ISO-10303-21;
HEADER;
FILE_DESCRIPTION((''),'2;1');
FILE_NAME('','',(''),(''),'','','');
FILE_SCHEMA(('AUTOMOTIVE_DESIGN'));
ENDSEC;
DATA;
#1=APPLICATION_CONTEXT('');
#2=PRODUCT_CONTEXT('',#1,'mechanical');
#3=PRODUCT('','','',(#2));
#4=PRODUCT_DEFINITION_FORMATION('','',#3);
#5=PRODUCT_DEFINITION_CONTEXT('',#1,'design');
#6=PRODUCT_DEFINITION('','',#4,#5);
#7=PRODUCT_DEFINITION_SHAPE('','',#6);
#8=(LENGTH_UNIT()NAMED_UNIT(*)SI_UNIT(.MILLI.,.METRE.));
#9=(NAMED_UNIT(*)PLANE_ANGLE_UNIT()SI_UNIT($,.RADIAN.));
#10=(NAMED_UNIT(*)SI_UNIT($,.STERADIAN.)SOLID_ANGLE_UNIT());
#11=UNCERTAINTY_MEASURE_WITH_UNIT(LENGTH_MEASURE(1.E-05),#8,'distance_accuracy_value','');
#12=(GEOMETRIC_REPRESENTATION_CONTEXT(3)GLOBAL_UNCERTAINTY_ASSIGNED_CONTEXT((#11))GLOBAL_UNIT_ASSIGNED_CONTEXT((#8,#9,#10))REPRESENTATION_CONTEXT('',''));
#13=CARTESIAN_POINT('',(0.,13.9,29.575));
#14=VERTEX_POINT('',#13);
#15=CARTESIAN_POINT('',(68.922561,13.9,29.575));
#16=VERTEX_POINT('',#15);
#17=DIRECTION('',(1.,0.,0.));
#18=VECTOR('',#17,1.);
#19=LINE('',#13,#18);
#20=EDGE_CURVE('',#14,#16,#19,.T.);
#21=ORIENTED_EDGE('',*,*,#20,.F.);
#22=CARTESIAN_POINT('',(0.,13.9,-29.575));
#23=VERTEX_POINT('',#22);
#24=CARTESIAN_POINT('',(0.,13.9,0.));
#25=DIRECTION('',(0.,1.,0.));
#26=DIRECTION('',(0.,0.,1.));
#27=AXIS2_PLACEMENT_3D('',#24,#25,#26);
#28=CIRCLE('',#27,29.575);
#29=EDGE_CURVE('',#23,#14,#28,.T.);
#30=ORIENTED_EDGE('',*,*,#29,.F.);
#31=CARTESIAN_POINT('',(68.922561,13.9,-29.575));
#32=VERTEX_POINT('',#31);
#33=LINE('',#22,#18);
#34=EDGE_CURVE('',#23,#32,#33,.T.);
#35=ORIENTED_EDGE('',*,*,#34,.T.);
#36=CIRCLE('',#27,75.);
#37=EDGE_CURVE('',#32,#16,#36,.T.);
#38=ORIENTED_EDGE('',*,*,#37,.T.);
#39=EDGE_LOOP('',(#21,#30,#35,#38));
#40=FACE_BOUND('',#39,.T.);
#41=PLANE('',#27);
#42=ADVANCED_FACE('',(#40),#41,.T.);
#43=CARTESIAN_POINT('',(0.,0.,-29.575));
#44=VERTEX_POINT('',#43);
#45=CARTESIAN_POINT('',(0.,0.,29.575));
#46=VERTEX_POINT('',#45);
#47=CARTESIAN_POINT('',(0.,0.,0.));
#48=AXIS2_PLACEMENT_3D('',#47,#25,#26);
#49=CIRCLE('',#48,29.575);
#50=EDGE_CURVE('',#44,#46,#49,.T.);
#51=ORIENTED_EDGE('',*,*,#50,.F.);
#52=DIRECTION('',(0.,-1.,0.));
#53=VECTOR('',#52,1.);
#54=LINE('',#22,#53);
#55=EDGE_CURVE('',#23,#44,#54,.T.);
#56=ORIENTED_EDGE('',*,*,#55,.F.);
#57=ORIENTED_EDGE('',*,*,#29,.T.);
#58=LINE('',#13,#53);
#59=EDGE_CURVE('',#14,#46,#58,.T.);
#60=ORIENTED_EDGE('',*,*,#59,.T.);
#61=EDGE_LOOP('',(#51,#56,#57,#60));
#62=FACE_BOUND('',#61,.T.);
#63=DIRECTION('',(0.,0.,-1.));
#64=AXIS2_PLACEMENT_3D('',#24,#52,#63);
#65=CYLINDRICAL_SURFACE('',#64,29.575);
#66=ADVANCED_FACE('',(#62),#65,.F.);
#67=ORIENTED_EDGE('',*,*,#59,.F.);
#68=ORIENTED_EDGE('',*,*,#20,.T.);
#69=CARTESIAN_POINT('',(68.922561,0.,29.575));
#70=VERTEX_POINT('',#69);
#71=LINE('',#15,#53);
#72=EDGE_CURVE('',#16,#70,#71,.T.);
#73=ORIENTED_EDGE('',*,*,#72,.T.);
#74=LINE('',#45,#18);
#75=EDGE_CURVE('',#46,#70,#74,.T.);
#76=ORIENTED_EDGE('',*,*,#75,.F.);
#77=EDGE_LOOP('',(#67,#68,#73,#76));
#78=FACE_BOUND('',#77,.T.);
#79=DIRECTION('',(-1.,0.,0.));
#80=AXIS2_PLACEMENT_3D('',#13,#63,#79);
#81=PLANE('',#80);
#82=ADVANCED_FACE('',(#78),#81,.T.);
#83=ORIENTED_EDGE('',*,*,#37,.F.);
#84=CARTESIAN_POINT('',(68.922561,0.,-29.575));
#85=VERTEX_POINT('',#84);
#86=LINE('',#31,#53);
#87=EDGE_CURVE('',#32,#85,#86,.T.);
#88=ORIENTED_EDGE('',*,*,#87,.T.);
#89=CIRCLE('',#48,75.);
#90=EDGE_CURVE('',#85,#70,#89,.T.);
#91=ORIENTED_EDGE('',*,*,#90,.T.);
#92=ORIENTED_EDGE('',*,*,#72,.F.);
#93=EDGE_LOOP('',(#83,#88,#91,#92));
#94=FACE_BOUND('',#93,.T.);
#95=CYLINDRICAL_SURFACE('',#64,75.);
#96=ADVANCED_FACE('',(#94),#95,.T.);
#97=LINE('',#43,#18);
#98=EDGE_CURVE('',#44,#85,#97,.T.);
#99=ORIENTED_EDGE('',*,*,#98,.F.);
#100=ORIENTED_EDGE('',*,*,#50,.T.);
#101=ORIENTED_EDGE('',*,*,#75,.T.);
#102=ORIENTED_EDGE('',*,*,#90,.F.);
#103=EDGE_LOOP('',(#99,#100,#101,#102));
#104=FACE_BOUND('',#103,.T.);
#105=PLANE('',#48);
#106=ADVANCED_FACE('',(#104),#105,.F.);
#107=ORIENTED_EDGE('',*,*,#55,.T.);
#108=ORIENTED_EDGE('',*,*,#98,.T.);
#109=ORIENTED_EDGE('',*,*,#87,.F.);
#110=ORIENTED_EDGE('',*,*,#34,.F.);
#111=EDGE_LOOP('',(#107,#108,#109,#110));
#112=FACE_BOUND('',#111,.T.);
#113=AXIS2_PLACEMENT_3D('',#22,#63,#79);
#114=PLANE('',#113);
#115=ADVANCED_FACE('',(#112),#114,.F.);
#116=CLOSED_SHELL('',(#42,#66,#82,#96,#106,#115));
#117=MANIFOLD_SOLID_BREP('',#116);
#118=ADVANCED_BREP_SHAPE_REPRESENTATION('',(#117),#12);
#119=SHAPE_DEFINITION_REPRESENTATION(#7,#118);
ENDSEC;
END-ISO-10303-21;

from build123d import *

# Parameters (mm, degrees)
BOSS_EXTRUDE1_DEPTH = 13.9


with BuildPart() as part:
    # Sketch1 → Boss-Extrude1 (new body)
    with BuildSketch(Plane(origin=(0, 0, 0), x_dir=(1, 0, 0), z_dir=(0, 1, 0))):
        with BuildLine():
            Line((0, 29.575), (68.922560711, 29.575))
            ThreePointArc((68.922560711, 29.575), (-75, 0), (68.922560711, -29.575))
            Line((68.922560711, -29.575), (0, -29.575))
            ThreePointArc((0, -29.575), (-29.575, 0), (0, 29.575))
        make_face()
    extrude(amount=BOSS_EXTRUDE1_DEPTH)


solid = part.part
